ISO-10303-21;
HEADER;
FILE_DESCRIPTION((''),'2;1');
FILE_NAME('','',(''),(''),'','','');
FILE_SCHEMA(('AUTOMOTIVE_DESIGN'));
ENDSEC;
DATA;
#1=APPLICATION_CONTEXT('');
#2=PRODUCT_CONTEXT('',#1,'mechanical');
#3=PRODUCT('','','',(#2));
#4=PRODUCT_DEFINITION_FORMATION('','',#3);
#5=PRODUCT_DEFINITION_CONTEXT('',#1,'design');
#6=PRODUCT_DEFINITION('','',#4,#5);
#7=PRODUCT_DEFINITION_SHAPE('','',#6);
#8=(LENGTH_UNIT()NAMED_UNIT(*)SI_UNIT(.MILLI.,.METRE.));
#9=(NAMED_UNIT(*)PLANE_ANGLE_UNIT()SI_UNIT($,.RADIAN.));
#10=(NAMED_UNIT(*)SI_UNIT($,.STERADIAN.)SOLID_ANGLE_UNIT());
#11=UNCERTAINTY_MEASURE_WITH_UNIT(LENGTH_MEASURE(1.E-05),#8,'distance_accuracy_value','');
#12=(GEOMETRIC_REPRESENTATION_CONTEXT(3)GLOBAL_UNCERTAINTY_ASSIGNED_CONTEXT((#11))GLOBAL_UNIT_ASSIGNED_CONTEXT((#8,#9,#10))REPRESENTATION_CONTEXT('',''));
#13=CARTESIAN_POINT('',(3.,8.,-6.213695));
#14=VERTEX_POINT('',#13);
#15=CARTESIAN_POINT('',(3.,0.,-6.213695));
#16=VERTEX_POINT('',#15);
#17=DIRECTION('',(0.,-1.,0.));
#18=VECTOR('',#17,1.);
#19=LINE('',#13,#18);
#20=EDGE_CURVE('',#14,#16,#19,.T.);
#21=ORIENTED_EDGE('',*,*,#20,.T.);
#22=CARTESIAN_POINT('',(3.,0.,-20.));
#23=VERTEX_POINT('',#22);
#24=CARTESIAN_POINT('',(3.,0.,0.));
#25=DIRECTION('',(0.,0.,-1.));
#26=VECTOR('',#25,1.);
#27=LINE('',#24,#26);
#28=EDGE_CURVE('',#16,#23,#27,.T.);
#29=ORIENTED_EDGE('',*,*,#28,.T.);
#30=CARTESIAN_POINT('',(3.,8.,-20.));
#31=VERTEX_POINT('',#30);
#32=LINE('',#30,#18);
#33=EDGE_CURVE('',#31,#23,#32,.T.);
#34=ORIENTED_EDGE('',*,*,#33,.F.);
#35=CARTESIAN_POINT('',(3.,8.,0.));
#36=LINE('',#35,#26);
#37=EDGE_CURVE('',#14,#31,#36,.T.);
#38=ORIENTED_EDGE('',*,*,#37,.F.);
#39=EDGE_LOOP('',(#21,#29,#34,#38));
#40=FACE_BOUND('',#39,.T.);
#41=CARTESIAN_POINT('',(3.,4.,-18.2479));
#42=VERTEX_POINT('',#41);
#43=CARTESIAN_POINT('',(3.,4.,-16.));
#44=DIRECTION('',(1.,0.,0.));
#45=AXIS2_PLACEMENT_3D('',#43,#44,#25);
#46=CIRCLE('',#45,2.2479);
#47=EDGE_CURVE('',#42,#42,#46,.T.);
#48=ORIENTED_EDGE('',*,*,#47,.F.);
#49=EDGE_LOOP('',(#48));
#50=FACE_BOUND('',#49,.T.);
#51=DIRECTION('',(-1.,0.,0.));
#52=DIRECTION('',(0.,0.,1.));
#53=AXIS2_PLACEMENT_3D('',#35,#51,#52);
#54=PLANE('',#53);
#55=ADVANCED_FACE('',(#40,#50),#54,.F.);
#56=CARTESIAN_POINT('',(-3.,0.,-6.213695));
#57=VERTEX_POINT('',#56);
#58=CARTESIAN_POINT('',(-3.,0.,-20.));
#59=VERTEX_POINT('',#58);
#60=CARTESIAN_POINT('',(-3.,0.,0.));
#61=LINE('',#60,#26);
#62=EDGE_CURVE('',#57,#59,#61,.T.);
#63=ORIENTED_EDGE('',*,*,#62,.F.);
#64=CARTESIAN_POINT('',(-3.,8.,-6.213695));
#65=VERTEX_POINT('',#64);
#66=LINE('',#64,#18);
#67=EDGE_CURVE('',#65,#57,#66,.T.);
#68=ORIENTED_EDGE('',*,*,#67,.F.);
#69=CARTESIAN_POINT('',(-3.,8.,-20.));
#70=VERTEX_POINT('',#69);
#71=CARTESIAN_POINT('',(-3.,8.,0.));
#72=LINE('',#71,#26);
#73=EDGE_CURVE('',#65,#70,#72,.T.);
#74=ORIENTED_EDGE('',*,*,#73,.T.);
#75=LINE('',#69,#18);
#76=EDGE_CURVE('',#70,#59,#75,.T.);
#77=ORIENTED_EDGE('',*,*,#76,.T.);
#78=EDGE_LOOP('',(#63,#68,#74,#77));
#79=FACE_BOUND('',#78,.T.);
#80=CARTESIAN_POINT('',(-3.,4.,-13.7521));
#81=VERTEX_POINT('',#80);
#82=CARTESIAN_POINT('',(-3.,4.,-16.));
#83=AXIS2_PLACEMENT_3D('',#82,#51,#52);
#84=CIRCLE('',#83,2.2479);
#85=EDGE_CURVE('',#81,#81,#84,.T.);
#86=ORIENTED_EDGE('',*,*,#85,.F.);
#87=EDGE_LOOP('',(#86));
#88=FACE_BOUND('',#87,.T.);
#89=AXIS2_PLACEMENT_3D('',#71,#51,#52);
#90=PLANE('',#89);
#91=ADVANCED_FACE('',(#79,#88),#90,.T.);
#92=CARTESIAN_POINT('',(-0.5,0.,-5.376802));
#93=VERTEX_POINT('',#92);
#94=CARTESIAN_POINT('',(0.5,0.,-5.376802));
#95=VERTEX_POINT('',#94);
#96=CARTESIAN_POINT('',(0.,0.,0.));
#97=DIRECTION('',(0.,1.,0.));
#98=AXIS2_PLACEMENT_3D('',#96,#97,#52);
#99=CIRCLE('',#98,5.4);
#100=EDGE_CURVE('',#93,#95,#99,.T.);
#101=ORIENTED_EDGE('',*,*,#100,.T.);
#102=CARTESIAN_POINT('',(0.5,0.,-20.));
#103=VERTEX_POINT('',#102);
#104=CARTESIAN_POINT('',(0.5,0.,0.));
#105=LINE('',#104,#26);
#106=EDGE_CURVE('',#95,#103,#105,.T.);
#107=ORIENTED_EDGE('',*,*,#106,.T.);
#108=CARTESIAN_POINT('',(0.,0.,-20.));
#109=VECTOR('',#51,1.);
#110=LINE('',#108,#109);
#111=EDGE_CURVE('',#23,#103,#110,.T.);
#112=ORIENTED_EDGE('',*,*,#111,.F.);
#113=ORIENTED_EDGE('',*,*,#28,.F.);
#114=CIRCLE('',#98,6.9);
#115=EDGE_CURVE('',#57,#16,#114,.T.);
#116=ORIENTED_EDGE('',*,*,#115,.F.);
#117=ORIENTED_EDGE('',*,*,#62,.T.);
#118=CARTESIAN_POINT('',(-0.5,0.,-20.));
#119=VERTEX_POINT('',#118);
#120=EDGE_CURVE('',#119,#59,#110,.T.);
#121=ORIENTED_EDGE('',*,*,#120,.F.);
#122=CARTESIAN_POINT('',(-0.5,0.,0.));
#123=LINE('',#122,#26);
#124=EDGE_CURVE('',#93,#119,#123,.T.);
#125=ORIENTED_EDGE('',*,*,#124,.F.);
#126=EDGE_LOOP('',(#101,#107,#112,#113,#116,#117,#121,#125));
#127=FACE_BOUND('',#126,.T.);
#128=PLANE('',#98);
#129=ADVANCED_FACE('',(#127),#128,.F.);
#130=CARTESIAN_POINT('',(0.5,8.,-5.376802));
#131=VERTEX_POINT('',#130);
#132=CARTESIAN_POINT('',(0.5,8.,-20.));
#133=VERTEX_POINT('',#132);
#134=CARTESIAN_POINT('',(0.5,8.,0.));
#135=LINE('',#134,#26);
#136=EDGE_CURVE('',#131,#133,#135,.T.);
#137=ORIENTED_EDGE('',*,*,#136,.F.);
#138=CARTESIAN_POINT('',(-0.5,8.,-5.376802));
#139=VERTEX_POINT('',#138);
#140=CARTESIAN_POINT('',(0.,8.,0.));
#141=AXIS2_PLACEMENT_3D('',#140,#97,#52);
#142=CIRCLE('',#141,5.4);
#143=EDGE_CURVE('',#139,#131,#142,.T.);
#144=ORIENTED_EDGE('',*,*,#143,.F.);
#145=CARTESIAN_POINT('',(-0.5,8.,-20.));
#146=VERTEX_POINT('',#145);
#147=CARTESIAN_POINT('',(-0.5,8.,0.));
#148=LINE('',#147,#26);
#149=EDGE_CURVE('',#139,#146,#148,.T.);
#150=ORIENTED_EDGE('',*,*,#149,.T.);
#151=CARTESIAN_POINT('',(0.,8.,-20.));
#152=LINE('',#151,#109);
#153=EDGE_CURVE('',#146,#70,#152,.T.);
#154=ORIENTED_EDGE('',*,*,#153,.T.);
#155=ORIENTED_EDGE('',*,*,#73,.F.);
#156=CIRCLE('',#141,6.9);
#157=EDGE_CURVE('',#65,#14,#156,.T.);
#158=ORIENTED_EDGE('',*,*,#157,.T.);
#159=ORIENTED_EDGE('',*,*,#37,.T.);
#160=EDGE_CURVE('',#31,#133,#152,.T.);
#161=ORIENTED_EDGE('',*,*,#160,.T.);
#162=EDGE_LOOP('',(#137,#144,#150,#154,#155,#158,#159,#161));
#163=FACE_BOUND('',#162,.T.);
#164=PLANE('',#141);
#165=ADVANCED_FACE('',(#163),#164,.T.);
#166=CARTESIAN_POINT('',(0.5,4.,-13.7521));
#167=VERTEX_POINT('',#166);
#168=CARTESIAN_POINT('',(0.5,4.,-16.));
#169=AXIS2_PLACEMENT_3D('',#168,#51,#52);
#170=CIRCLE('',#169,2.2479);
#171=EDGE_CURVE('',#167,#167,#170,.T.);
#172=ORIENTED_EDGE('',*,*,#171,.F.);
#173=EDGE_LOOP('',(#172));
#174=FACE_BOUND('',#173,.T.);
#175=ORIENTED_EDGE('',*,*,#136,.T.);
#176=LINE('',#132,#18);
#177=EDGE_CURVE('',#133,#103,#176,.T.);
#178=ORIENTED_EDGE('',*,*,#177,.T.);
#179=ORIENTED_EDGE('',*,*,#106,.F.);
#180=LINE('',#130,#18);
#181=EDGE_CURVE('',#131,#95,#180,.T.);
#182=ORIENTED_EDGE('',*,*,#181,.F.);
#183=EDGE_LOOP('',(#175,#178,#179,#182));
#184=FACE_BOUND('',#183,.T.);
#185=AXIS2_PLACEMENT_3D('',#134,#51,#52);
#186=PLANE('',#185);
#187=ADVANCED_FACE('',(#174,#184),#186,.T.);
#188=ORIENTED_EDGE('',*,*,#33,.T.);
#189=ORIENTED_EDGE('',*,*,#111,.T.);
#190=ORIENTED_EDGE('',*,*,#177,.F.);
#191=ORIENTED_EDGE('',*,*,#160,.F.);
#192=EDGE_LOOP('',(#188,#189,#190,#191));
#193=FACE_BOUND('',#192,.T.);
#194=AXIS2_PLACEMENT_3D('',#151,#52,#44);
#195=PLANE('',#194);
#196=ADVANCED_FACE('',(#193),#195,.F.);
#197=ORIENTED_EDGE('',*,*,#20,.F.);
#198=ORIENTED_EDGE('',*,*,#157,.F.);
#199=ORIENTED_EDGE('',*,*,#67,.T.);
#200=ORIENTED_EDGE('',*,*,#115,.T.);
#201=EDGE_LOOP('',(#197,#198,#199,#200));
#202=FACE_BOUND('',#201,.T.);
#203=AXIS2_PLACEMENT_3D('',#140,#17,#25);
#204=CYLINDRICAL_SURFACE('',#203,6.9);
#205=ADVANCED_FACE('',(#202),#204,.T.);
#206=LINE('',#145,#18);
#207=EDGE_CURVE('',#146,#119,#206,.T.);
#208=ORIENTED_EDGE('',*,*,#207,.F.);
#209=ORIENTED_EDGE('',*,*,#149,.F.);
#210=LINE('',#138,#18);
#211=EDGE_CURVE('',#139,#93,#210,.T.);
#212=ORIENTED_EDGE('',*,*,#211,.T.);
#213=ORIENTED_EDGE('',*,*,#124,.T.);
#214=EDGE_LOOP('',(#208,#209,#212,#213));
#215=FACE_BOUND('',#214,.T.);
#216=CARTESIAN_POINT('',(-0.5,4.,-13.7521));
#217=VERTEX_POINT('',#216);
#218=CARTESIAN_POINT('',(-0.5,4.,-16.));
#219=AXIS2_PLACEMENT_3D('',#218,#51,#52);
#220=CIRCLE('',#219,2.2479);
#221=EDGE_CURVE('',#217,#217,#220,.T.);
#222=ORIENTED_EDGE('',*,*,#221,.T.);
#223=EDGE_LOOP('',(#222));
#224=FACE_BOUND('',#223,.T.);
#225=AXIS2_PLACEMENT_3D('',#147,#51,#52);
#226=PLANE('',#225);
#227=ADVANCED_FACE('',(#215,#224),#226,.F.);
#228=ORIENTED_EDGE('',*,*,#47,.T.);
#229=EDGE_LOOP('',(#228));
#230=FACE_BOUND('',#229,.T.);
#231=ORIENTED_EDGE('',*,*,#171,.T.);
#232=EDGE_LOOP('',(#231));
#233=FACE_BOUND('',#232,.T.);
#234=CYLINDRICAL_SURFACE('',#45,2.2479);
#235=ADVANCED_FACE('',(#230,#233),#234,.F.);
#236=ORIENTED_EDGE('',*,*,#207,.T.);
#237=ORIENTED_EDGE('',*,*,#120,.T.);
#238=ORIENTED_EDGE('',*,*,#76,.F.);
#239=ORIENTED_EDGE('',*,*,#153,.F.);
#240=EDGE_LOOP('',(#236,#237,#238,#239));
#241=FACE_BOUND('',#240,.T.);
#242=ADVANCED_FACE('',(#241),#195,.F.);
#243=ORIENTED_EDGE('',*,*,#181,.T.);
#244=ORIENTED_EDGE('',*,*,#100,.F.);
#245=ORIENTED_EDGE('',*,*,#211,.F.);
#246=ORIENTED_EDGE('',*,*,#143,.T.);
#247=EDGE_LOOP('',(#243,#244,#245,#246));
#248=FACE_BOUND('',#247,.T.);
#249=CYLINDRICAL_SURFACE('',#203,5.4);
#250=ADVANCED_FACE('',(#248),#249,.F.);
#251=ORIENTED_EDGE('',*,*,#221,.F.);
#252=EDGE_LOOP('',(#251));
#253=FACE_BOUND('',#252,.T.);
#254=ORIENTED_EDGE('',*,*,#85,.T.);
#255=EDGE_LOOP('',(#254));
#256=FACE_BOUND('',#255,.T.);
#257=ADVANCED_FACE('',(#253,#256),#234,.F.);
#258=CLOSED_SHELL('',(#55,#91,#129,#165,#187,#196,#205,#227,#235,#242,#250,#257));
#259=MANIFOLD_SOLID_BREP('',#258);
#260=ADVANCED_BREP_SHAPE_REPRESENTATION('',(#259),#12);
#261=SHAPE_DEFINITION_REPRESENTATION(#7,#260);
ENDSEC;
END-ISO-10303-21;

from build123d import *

# Parameters (mm, degrees)
BOSS_EXTRUDE1_DEPTH   = 8
F_8_CLEARANCE_HOLE1_D = 4.4958


with BuildPart() as part:
    # Sketch1 → Boss-Extrude1 (new body)
    with BuildSketch(Plane(origin=(0, 0, 0), x_dir=(1, 0, 0), z_dir=(0, 1, 0))):
        with BuildLine():
            Line((3, 6.213694553), (3, 20))
            Line((3, 20), (0.5, 20))
            Line((0.5, 20), (0.5, 5.376802024))
            ThreePointArc((0.5, 5.376802024), (0, -5.4), (-0.5, 5.376802024))
            Line((-0.5, 5.376802024), (-0.5, 20))
            Line((-0.5, 20), (-3, 20))
            Line((-3, 20), (-3, 6.213694553))
            ThreePointArc((-3, 6.213694553), (0, -6.9), (3, 6.213694553))
        make_face()
    extrude(amount=BOSS_EXTRUDE1_DEPTH)

    # #8 Clearance Hole1 (through all)
    with Locations(Plane(origin=(3, 0, 0), x_dir=(0, 0, -1), z_dir=(1, 0, 0))):
        with Locations((16, 4)):
            Hole(F_8_CLEARANCE_HOLE1_D / 2)


solid = part.part
